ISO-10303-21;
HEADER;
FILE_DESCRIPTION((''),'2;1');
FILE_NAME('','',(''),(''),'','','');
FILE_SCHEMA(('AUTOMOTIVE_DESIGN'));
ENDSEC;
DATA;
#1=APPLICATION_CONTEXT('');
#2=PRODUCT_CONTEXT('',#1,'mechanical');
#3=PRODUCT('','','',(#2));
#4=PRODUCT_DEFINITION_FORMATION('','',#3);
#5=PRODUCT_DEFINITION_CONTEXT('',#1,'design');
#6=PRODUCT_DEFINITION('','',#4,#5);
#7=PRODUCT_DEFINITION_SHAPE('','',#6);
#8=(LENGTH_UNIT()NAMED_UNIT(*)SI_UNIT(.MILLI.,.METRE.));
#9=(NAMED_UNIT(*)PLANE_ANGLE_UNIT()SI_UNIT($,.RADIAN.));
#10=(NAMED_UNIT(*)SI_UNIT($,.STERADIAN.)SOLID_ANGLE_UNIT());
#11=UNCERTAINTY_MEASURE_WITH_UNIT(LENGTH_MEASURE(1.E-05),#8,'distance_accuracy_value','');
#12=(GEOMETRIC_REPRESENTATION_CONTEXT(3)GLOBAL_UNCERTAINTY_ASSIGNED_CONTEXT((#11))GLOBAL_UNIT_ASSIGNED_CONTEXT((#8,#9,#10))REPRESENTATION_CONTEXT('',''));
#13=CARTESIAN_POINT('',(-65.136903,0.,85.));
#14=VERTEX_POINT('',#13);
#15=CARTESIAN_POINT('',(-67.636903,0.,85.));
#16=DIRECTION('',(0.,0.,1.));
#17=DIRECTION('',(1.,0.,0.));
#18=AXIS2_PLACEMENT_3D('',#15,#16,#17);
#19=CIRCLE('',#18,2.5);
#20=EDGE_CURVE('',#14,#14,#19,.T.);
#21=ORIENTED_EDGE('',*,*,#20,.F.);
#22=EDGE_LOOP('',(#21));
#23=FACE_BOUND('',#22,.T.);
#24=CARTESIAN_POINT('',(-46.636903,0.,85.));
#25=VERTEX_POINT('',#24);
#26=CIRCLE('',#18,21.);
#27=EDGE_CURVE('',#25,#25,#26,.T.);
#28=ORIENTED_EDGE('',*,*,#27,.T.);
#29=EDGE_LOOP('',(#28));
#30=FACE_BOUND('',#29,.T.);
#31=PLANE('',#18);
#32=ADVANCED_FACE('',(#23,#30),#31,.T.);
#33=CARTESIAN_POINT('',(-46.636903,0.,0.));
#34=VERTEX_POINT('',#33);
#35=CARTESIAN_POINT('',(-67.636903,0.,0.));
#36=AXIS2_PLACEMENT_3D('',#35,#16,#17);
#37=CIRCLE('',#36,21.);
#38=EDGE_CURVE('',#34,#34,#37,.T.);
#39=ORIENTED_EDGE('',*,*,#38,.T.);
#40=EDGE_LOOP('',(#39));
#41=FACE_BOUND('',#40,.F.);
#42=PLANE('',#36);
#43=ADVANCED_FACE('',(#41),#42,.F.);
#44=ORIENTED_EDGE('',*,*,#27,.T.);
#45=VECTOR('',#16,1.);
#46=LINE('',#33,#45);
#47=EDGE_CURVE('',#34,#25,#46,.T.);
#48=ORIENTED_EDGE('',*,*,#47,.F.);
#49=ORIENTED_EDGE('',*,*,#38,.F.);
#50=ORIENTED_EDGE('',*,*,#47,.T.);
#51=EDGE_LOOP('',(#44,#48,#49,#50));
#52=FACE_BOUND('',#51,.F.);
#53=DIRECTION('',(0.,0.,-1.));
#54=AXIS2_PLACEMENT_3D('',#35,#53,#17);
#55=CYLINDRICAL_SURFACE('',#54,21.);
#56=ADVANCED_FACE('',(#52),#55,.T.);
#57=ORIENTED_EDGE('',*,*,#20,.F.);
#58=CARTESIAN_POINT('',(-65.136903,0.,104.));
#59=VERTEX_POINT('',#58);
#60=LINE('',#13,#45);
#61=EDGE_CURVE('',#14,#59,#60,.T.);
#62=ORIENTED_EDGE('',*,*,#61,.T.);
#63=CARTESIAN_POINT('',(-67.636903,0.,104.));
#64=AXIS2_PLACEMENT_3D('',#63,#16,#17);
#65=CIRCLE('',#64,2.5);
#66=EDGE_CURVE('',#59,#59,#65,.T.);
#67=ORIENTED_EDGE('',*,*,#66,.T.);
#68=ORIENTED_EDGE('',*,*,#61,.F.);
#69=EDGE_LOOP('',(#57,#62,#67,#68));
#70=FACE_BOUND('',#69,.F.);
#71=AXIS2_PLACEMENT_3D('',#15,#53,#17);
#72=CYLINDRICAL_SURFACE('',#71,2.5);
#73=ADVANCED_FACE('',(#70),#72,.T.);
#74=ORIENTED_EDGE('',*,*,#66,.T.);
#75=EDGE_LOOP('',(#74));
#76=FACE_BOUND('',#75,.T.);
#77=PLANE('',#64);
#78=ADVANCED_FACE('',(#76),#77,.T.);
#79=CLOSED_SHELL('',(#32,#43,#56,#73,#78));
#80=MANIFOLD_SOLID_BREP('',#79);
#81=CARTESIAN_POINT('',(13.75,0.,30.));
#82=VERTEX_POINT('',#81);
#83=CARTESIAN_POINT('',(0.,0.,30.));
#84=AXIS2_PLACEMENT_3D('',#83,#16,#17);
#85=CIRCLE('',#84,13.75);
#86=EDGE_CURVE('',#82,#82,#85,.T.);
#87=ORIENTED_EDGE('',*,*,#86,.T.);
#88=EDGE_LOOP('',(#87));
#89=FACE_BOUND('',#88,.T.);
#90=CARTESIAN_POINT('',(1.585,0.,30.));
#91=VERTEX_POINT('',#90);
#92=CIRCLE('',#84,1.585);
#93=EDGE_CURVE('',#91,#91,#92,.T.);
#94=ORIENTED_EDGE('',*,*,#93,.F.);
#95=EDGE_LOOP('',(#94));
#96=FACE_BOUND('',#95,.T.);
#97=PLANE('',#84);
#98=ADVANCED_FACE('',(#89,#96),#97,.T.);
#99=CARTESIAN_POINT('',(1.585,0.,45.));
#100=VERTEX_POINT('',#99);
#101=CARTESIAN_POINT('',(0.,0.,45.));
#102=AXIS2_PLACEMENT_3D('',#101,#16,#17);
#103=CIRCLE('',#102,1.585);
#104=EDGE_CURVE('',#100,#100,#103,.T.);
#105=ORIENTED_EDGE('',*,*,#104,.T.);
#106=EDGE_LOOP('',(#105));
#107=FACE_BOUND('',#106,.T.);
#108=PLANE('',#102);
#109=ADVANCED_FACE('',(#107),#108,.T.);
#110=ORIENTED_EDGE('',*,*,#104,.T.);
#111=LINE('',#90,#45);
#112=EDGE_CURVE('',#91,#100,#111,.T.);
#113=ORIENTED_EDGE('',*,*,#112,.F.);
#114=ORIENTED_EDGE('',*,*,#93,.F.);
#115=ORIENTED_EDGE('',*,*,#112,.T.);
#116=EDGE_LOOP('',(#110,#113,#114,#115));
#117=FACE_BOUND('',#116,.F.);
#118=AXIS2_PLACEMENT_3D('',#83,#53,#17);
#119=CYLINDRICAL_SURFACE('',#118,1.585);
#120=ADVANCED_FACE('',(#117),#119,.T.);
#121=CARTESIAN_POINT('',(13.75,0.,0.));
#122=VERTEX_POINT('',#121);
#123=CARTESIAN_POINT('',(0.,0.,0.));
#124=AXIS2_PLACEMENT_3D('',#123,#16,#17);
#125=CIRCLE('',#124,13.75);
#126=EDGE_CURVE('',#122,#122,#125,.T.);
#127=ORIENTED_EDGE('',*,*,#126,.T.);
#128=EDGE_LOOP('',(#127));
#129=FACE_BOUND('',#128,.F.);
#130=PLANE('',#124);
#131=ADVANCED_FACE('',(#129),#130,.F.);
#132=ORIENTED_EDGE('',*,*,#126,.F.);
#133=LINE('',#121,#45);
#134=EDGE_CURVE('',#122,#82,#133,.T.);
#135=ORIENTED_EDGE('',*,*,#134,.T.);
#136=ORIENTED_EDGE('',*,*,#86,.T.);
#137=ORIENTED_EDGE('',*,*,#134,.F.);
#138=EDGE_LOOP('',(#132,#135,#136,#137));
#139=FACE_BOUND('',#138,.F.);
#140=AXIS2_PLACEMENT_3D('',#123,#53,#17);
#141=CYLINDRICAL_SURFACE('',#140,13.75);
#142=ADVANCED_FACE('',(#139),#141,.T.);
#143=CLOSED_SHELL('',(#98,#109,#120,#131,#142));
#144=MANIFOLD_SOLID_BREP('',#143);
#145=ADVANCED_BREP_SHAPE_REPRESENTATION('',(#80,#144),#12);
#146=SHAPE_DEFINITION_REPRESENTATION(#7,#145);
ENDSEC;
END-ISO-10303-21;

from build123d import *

# Parameters (mm, degrees)
F0_R     = 13.75
F1_DEPTH = 30
F2_R     = 1.585
F3_DEPTH = 15
F4_R     = 21
F5_DEPTH = 85
F6_R     = 2.5
F7_DEPTH = 19


with BuildPart() as f1:
    # F0 (on Top) → F1 (new body)
    with BuildSketch(Plane.XY):
        Circle(F0_R)
    extrude(amount=F1_DEPTH)

    # F2 (on face) → F3 (join)
    with BuildSketch(Plane.XY.offset(30)):
        Circle(F2_R)
    extrude(amount=F3_DEPTH)


with BuildPart() as f5:
    # F4 (on Top) → F5 (new body)
    with BuildSketch(Plane.XY):
        with Locations((-67.636903, 0)):
            Circle(F4_R)
    extrude(amount=F5_DEPTH)

    # F6 (on face) → F7 (join)
    with BuildSketch(Plane.XY.offset(85)):
        with Locations((-67.636903, 0)):
            Circle(F6_R)
    extrude(amount=F7_DEPTH)


solid = Compound([f1.part, f5.part])
